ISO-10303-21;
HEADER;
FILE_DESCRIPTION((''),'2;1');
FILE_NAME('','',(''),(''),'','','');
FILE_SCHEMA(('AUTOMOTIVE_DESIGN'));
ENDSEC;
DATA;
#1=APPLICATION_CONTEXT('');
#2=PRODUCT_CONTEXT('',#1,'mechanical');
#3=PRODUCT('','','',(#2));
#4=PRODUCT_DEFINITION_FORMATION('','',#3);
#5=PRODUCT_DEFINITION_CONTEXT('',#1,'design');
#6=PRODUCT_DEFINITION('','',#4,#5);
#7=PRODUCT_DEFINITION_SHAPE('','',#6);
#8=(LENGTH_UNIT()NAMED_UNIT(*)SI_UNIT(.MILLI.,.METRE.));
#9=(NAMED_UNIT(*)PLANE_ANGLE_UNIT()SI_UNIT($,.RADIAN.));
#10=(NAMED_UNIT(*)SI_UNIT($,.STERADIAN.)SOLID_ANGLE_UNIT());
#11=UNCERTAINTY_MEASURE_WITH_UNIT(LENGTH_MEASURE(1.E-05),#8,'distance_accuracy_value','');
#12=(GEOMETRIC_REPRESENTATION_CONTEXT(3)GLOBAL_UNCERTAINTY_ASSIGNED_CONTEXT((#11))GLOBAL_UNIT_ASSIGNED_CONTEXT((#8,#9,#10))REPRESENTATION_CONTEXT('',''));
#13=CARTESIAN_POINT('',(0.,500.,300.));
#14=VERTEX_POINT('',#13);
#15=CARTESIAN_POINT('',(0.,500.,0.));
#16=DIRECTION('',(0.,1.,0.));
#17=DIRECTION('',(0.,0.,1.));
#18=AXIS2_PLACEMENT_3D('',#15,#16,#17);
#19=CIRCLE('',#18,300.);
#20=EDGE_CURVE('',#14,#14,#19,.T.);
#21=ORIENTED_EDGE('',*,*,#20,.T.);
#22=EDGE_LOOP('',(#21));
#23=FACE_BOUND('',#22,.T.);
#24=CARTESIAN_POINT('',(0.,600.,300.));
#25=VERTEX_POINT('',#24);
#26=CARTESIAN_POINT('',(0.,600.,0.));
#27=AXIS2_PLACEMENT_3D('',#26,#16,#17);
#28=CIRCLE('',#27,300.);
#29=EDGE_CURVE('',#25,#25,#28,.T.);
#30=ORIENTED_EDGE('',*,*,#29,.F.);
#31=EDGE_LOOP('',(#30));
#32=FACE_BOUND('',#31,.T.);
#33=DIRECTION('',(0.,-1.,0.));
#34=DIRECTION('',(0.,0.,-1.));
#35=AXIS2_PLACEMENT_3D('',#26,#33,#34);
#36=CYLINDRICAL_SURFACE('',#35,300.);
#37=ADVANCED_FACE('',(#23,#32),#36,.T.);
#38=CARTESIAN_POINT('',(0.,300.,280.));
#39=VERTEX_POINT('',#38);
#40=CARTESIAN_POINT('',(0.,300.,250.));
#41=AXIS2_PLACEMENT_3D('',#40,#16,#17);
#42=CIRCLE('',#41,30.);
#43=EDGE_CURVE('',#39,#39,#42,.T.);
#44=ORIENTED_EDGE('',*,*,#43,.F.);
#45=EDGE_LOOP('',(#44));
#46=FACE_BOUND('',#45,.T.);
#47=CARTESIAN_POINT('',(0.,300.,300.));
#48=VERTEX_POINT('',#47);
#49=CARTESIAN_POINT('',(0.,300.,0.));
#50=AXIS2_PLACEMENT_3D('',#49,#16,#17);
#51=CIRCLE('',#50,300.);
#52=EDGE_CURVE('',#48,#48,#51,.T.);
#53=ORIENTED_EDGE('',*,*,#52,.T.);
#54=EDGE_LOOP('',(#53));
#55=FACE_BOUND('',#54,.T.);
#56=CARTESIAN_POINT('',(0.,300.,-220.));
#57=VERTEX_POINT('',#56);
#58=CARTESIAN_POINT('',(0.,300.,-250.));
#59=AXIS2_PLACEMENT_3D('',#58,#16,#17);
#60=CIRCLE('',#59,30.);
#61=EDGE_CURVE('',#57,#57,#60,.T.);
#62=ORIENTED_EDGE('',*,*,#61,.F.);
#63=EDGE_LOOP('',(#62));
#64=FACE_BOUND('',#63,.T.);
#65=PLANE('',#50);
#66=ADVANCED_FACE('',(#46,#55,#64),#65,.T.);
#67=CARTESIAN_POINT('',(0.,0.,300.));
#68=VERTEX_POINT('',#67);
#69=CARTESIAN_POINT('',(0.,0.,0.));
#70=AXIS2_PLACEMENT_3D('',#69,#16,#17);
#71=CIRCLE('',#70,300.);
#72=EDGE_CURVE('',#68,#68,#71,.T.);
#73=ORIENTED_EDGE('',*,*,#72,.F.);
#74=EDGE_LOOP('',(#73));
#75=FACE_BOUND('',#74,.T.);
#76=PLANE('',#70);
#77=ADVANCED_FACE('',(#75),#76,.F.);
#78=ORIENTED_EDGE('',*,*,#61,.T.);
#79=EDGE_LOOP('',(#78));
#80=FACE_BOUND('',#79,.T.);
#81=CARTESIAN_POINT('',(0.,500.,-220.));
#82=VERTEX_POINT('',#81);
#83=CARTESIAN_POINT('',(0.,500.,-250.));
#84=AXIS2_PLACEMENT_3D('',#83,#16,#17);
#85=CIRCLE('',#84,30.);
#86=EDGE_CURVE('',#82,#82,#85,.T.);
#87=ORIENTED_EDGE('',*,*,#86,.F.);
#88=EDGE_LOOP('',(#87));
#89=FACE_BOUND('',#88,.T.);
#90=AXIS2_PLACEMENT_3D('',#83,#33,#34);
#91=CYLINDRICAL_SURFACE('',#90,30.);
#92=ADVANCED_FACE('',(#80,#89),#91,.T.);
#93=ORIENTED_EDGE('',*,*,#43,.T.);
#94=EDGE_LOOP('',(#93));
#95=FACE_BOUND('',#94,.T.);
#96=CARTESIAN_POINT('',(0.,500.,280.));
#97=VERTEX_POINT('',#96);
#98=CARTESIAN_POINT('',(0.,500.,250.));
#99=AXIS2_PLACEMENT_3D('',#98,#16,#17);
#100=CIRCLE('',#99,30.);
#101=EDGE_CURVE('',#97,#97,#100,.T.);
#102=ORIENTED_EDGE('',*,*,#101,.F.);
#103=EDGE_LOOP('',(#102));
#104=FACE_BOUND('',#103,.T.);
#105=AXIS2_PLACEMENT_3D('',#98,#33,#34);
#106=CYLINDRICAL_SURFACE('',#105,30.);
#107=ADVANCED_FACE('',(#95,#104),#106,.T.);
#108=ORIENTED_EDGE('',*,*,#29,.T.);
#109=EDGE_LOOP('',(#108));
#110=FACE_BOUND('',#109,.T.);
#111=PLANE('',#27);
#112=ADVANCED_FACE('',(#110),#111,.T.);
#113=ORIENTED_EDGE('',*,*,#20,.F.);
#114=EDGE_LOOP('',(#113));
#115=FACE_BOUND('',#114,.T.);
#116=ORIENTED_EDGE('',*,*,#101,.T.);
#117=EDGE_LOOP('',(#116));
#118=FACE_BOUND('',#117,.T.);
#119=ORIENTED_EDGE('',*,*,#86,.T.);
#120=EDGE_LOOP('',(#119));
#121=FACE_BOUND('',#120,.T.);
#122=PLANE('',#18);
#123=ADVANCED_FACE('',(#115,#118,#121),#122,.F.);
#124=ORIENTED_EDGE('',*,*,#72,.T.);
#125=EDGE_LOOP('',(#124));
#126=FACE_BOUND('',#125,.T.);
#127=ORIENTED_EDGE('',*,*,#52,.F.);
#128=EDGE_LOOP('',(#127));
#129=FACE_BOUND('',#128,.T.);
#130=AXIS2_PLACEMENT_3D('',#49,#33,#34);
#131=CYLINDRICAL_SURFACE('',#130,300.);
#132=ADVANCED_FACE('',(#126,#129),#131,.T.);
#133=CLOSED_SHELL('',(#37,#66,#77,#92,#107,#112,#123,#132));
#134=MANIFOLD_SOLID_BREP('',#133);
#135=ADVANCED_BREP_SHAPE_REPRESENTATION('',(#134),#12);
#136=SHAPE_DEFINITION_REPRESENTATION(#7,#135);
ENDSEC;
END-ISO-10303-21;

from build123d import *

# Parameters (mm, degrees)
SKETCH1_R           = 300
BOSS_EXTRUDE1_DEPTH = 300
SKETCH2_R           = 30
BOSS_EXTRUDE2_DEPTH = 200
SKETCH3_R           = 300
BOSS_EXTRUDE3_DEPTH = 100


with BuildPart() as part:
    # Sketch1 → Boss-Extrude1 (new body)
    with BuildSketch(Plane(origin=(0, 0, 0), x_dir=(1, 0, 0), z_dir=(0, 1, 0))):
        Circle(SKETCH1_R)
    extrude(amount=BOSS_EXTRUDE1_DEPTH)

    # Sketch2 → Boss-Extrude2 (add)
    with BuildSketch(Plane(origin=(0, 300, 0), x_dir=(1, 0, 0), z_dir=(0, 1, 0))):
        with Locations((0, 250)):
            Circle(SKETCH2_R)
        with Locations((0, -250)):
            Circle(SKETCH2_R)
    extrude(amount=BOSS_EXTRUDE2_DEPTH)

    # Sketch3 → Boss-Extrude3 (add)
    with BuildSketch(Plane(origin=(0, 500, 0), x_dir=(1, 0, 0), z_dir=(0, 1, 0))):
        Circle(SKETCH3_R)
    extrude(amount=BOSS_EXTRUDE3_DEPTH)


solid = part.part
